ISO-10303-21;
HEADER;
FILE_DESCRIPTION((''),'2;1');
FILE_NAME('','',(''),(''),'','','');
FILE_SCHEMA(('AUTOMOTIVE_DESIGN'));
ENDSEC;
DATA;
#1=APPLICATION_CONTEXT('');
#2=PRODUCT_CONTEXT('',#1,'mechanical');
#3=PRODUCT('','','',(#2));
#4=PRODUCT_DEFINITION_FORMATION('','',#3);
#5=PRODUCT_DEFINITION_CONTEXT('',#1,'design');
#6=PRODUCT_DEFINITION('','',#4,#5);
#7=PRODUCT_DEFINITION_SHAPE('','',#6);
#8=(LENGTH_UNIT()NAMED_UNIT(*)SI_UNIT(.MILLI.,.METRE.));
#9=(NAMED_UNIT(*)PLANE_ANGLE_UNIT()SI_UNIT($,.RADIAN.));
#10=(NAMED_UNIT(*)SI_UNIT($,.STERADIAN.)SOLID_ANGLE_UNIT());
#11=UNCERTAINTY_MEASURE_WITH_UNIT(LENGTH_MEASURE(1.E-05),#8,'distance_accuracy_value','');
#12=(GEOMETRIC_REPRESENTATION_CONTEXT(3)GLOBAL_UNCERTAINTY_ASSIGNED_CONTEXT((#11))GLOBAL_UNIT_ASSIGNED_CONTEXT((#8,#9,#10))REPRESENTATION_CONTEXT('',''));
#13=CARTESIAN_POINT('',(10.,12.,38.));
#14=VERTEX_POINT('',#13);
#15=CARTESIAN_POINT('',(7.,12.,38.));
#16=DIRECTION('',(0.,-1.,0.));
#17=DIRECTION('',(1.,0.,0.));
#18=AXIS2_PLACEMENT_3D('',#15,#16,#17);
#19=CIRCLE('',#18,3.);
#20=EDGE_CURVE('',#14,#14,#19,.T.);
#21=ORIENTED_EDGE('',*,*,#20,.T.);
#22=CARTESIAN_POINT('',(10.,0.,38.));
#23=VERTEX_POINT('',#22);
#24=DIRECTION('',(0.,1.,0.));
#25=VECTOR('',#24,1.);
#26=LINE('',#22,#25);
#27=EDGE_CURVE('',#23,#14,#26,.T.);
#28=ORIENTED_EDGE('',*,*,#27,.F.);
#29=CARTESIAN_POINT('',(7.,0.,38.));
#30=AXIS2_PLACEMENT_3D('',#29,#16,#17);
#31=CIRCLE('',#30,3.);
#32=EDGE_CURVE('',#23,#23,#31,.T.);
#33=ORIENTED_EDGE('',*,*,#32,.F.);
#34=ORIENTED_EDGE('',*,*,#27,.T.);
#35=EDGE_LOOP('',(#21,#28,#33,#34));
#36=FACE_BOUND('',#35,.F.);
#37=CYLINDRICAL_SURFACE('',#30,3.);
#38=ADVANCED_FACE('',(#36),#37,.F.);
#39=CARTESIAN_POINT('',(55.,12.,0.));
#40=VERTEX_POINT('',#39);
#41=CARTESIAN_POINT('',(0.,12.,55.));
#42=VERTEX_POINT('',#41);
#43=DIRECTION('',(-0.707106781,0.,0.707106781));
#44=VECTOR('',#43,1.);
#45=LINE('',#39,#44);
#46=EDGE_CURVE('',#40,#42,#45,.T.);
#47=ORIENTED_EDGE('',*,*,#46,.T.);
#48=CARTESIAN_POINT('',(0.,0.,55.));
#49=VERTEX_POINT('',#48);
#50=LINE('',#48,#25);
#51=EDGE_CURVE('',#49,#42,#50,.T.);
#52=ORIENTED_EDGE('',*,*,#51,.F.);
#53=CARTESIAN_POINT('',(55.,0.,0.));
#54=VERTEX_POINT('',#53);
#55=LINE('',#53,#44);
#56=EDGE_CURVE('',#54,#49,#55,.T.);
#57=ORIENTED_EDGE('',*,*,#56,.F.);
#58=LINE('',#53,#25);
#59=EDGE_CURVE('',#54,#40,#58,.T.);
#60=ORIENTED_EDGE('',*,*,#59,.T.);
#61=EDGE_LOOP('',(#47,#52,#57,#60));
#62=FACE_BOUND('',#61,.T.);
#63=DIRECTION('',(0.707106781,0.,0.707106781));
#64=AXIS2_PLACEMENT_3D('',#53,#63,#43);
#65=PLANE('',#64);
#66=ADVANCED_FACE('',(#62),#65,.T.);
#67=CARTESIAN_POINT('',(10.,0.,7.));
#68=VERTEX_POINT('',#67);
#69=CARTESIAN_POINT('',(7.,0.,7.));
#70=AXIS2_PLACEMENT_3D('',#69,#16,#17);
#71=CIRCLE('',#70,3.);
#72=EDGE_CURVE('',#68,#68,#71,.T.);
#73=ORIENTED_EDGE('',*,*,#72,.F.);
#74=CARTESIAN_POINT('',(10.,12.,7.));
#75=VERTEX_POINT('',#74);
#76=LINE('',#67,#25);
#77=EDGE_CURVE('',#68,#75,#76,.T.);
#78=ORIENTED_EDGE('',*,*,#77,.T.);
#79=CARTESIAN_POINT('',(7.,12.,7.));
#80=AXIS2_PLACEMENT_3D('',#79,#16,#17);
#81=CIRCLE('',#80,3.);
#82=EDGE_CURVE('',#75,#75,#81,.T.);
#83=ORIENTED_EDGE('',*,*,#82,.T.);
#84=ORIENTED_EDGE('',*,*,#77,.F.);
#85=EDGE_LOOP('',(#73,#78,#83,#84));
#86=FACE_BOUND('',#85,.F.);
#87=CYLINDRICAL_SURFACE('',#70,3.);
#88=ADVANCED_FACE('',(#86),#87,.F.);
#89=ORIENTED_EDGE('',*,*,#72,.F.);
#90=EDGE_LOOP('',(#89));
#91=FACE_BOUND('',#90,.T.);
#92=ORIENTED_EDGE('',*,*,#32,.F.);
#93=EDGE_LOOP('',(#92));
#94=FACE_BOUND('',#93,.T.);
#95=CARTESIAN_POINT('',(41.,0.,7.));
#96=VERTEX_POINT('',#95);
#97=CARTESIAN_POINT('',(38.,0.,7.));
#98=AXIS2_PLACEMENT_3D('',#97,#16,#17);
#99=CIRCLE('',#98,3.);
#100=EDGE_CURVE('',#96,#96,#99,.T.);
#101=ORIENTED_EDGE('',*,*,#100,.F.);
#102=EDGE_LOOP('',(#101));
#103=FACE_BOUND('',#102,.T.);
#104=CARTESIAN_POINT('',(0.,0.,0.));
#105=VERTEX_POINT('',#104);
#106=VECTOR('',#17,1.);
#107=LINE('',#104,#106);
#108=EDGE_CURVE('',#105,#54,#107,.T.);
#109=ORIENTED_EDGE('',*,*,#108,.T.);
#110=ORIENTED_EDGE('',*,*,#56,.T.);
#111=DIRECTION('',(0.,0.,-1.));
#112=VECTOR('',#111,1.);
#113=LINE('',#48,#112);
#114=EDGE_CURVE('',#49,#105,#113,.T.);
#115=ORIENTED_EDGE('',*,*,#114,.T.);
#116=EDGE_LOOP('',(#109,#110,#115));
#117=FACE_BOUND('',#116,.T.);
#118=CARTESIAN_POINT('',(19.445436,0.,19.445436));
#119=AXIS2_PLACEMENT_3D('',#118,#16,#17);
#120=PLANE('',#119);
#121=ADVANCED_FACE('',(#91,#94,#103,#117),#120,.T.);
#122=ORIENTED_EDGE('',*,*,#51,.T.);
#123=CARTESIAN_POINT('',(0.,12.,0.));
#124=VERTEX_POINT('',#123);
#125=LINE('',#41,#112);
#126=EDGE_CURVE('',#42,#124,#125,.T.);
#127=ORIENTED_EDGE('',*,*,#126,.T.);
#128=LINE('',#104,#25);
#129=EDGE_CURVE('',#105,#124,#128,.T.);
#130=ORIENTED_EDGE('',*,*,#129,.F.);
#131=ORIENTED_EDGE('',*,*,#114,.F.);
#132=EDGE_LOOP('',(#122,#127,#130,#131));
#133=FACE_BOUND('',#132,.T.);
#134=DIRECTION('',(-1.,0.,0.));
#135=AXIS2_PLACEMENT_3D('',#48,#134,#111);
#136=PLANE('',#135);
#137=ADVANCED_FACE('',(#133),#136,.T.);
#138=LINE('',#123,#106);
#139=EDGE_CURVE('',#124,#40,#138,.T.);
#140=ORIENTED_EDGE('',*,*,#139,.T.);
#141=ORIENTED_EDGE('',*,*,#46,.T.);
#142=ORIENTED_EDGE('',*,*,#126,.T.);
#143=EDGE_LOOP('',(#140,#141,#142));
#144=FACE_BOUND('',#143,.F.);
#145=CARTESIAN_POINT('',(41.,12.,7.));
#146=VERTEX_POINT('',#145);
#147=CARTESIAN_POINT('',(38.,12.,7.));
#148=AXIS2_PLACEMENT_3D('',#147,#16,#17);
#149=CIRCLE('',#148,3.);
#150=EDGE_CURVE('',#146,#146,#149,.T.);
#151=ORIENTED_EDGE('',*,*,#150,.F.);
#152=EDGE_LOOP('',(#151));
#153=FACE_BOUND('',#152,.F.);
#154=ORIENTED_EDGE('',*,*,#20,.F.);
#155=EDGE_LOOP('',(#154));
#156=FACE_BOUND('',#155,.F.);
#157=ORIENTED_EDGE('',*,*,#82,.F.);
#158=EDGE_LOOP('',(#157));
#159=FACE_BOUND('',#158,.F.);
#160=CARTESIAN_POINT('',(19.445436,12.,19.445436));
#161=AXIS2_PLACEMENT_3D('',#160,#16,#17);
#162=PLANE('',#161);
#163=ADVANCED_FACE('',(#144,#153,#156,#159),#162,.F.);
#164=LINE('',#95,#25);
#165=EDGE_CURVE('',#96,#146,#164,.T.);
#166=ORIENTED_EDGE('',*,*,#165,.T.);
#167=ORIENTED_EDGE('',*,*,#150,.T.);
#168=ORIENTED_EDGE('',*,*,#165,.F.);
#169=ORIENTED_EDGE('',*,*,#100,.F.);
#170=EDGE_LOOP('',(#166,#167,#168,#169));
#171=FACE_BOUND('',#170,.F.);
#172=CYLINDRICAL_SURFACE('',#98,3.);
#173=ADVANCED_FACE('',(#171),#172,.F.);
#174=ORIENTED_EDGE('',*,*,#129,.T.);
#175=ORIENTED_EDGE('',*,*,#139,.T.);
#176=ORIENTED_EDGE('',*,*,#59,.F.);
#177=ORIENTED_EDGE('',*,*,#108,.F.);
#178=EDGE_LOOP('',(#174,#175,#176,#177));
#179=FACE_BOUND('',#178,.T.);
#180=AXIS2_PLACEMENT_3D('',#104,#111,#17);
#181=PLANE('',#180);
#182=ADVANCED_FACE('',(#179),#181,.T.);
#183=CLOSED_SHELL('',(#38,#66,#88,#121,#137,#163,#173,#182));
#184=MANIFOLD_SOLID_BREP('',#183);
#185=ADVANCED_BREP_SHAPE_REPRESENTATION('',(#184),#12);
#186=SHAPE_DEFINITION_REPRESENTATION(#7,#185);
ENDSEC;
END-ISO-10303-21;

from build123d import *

# Parameters (mm, degrees)
F0_R     = 3
F1_DEPTH = 12


with BuildPart() as f1:
    # F0 (on Front) → F1 (new body)
    with BuildSketch(Plane.XZ):
        Polygon((0, 55), (0, 0), (55, 0), align=None)
        with Locations((7, 7)):
            Circle(F0_R, mode=Mode.SUBTRACT)
        with Locations((38, 7)):
            Circle(F0_R, mode=Mode.SUBTRACT)
        with Locations((7, 38)):
            Circle(F0_R, mode=Mode.SUBTRACT)
    extrude(amount=-F1_DEPTH)


solid = f1.part
